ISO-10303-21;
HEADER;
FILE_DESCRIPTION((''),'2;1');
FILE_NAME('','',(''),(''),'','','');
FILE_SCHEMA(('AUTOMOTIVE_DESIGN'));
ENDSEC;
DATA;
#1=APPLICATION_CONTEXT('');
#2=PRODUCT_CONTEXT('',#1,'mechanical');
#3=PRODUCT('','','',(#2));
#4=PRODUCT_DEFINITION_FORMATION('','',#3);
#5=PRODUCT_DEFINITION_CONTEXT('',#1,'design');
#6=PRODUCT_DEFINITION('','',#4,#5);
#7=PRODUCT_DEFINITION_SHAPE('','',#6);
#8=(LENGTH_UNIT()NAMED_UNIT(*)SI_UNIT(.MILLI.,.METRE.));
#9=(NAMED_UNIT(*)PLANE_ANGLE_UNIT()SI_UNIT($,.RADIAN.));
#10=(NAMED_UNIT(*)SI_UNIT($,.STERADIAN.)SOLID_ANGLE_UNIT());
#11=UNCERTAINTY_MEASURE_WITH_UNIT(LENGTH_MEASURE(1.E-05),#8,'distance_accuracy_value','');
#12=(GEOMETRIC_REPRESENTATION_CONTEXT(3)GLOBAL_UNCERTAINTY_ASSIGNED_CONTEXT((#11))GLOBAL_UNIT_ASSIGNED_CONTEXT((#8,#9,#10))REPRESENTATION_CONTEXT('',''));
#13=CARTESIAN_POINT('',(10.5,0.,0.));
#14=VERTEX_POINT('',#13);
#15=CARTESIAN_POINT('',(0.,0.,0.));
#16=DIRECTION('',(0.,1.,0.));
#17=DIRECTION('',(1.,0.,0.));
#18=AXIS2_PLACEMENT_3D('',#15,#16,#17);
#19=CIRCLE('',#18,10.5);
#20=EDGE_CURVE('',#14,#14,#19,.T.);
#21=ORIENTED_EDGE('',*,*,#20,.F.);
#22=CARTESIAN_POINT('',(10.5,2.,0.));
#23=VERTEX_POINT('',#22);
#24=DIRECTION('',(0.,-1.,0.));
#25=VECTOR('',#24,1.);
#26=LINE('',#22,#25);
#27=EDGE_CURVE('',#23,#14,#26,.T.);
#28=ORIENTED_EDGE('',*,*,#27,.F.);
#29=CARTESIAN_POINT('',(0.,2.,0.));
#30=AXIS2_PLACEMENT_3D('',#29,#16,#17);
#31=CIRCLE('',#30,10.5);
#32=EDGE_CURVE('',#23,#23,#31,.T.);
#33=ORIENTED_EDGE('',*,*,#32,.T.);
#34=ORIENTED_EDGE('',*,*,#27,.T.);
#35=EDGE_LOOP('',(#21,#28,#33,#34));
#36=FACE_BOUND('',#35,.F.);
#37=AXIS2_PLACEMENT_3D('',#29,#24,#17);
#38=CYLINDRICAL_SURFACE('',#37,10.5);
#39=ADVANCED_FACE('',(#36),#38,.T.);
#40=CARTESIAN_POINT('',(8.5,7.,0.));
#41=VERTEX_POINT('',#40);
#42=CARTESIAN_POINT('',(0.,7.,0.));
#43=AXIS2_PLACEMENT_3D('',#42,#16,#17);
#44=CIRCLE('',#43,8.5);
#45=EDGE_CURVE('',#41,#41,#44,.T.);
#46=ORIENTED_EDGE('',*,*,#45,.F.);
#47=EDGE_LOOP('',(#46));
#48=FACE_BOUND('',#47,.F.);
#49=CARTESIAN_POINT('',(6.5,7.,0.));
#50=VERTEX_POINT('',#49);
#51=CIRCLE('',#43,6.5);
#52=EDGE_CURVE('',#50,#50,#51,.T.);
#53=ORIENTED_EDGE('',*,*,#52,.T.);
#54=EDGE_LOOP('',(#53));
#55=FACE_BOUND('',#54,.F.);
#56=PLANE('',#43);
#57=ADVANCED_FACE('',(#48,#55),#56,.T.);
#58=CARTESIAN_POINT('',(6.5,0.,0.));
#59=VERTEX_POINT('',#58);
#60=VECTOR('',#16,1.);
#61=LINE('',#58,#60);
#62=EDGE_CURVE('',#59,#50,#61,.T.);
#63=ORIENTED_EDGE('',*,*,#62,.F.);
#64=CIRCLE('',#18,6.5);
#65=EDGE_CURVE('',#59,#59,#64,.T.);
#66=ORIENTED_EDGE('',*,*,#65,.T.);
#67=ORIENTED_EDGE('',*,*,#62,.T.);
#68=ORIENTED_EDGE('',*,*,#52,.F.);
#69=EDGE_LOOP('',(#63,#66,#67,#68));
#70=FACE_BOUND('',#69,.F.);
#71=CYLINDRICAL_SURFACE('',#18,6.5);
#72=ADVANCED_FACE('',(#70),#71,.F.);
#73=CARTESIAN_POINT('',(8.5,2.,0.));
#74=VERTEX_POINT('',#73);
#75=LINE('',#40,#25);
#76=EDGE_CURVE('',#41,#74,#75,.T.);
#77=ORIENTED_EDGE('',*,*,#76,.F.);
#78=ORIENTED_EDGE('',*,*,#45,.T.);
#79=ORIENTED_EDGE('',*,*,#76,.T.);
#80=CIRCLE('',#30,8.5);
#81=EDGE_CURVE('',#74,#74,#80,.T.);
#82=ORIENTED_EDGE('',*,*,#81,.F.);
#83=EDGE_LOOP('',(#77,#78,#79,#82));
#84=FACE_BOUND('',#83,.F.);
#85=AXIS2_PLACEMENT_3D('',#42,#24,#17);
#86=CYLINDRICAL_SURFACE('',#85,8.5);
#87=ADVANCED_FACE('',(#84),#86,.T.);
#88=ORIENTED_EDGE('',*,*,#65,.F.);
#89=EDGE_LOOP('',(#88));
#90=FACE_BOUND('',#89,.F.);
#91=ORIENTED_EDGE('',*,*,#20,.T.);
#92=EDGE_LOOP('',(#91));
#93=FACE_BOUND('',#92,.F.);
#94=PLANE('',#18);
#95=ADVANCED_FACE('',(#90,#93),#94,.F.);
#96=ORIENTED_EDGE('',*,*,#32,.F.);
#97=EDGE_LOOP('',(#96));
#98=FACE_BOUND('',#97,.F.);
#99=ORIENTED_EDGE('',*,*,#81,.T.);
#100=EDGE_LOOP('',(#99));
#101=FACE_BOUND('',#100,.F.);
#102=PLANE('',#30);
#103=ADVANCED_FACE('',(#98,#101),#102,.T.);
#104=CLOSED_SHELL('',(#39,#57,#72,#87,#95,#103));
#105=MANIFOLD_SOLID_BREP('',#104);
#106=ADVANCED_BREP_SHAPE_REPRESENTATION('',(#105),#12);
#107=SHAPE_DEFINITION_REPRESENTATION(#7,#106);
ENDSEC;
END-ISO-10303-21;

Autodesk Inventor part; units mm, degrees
ref_plane "YZ Plane" through (0, 0, 0) normal (1, 0, 0) x (0, 1, 0)
ref_plane "XZ Plane" through (0, 0, 0) normal (0, 1, 0) x (-1, 0, 0)
ref_plane "XY Plane" through (0, 0, 0) normal (0, 0, 1) x (1, 0, 0)
sketch "Эскиз1" plane through (0, 0, 0) normal (0, 0, 1) x (1, 0, 0)
  line L0 (6.5, 0) -> (6.5, 7)
  line L1 (6.5, 7) -> (8.5, 7)
  line L2 (8.5, 7) -> (8.5, 2)
  line L3 (8.5, 2) -> (10.5, 2)
  line L4 (10.5, 2) -> (10.5, 0)
  line L5 (10.5, 0) -> (6.5, 0)
  line L6 (0, 0) -> (0, 10)
  dimension "d0" = 10
  dimension "d1" = 13
  dimension "d2" = 4
  dimension "d4" = 2
  dimension "d7" = 2
  dimension "d8" = 5
revolve "Вращение1" add sketch "Эскиз1" angle 360 about axis through (0, 0, 0) along (0, 1, 0)
properties part number "Упор"
